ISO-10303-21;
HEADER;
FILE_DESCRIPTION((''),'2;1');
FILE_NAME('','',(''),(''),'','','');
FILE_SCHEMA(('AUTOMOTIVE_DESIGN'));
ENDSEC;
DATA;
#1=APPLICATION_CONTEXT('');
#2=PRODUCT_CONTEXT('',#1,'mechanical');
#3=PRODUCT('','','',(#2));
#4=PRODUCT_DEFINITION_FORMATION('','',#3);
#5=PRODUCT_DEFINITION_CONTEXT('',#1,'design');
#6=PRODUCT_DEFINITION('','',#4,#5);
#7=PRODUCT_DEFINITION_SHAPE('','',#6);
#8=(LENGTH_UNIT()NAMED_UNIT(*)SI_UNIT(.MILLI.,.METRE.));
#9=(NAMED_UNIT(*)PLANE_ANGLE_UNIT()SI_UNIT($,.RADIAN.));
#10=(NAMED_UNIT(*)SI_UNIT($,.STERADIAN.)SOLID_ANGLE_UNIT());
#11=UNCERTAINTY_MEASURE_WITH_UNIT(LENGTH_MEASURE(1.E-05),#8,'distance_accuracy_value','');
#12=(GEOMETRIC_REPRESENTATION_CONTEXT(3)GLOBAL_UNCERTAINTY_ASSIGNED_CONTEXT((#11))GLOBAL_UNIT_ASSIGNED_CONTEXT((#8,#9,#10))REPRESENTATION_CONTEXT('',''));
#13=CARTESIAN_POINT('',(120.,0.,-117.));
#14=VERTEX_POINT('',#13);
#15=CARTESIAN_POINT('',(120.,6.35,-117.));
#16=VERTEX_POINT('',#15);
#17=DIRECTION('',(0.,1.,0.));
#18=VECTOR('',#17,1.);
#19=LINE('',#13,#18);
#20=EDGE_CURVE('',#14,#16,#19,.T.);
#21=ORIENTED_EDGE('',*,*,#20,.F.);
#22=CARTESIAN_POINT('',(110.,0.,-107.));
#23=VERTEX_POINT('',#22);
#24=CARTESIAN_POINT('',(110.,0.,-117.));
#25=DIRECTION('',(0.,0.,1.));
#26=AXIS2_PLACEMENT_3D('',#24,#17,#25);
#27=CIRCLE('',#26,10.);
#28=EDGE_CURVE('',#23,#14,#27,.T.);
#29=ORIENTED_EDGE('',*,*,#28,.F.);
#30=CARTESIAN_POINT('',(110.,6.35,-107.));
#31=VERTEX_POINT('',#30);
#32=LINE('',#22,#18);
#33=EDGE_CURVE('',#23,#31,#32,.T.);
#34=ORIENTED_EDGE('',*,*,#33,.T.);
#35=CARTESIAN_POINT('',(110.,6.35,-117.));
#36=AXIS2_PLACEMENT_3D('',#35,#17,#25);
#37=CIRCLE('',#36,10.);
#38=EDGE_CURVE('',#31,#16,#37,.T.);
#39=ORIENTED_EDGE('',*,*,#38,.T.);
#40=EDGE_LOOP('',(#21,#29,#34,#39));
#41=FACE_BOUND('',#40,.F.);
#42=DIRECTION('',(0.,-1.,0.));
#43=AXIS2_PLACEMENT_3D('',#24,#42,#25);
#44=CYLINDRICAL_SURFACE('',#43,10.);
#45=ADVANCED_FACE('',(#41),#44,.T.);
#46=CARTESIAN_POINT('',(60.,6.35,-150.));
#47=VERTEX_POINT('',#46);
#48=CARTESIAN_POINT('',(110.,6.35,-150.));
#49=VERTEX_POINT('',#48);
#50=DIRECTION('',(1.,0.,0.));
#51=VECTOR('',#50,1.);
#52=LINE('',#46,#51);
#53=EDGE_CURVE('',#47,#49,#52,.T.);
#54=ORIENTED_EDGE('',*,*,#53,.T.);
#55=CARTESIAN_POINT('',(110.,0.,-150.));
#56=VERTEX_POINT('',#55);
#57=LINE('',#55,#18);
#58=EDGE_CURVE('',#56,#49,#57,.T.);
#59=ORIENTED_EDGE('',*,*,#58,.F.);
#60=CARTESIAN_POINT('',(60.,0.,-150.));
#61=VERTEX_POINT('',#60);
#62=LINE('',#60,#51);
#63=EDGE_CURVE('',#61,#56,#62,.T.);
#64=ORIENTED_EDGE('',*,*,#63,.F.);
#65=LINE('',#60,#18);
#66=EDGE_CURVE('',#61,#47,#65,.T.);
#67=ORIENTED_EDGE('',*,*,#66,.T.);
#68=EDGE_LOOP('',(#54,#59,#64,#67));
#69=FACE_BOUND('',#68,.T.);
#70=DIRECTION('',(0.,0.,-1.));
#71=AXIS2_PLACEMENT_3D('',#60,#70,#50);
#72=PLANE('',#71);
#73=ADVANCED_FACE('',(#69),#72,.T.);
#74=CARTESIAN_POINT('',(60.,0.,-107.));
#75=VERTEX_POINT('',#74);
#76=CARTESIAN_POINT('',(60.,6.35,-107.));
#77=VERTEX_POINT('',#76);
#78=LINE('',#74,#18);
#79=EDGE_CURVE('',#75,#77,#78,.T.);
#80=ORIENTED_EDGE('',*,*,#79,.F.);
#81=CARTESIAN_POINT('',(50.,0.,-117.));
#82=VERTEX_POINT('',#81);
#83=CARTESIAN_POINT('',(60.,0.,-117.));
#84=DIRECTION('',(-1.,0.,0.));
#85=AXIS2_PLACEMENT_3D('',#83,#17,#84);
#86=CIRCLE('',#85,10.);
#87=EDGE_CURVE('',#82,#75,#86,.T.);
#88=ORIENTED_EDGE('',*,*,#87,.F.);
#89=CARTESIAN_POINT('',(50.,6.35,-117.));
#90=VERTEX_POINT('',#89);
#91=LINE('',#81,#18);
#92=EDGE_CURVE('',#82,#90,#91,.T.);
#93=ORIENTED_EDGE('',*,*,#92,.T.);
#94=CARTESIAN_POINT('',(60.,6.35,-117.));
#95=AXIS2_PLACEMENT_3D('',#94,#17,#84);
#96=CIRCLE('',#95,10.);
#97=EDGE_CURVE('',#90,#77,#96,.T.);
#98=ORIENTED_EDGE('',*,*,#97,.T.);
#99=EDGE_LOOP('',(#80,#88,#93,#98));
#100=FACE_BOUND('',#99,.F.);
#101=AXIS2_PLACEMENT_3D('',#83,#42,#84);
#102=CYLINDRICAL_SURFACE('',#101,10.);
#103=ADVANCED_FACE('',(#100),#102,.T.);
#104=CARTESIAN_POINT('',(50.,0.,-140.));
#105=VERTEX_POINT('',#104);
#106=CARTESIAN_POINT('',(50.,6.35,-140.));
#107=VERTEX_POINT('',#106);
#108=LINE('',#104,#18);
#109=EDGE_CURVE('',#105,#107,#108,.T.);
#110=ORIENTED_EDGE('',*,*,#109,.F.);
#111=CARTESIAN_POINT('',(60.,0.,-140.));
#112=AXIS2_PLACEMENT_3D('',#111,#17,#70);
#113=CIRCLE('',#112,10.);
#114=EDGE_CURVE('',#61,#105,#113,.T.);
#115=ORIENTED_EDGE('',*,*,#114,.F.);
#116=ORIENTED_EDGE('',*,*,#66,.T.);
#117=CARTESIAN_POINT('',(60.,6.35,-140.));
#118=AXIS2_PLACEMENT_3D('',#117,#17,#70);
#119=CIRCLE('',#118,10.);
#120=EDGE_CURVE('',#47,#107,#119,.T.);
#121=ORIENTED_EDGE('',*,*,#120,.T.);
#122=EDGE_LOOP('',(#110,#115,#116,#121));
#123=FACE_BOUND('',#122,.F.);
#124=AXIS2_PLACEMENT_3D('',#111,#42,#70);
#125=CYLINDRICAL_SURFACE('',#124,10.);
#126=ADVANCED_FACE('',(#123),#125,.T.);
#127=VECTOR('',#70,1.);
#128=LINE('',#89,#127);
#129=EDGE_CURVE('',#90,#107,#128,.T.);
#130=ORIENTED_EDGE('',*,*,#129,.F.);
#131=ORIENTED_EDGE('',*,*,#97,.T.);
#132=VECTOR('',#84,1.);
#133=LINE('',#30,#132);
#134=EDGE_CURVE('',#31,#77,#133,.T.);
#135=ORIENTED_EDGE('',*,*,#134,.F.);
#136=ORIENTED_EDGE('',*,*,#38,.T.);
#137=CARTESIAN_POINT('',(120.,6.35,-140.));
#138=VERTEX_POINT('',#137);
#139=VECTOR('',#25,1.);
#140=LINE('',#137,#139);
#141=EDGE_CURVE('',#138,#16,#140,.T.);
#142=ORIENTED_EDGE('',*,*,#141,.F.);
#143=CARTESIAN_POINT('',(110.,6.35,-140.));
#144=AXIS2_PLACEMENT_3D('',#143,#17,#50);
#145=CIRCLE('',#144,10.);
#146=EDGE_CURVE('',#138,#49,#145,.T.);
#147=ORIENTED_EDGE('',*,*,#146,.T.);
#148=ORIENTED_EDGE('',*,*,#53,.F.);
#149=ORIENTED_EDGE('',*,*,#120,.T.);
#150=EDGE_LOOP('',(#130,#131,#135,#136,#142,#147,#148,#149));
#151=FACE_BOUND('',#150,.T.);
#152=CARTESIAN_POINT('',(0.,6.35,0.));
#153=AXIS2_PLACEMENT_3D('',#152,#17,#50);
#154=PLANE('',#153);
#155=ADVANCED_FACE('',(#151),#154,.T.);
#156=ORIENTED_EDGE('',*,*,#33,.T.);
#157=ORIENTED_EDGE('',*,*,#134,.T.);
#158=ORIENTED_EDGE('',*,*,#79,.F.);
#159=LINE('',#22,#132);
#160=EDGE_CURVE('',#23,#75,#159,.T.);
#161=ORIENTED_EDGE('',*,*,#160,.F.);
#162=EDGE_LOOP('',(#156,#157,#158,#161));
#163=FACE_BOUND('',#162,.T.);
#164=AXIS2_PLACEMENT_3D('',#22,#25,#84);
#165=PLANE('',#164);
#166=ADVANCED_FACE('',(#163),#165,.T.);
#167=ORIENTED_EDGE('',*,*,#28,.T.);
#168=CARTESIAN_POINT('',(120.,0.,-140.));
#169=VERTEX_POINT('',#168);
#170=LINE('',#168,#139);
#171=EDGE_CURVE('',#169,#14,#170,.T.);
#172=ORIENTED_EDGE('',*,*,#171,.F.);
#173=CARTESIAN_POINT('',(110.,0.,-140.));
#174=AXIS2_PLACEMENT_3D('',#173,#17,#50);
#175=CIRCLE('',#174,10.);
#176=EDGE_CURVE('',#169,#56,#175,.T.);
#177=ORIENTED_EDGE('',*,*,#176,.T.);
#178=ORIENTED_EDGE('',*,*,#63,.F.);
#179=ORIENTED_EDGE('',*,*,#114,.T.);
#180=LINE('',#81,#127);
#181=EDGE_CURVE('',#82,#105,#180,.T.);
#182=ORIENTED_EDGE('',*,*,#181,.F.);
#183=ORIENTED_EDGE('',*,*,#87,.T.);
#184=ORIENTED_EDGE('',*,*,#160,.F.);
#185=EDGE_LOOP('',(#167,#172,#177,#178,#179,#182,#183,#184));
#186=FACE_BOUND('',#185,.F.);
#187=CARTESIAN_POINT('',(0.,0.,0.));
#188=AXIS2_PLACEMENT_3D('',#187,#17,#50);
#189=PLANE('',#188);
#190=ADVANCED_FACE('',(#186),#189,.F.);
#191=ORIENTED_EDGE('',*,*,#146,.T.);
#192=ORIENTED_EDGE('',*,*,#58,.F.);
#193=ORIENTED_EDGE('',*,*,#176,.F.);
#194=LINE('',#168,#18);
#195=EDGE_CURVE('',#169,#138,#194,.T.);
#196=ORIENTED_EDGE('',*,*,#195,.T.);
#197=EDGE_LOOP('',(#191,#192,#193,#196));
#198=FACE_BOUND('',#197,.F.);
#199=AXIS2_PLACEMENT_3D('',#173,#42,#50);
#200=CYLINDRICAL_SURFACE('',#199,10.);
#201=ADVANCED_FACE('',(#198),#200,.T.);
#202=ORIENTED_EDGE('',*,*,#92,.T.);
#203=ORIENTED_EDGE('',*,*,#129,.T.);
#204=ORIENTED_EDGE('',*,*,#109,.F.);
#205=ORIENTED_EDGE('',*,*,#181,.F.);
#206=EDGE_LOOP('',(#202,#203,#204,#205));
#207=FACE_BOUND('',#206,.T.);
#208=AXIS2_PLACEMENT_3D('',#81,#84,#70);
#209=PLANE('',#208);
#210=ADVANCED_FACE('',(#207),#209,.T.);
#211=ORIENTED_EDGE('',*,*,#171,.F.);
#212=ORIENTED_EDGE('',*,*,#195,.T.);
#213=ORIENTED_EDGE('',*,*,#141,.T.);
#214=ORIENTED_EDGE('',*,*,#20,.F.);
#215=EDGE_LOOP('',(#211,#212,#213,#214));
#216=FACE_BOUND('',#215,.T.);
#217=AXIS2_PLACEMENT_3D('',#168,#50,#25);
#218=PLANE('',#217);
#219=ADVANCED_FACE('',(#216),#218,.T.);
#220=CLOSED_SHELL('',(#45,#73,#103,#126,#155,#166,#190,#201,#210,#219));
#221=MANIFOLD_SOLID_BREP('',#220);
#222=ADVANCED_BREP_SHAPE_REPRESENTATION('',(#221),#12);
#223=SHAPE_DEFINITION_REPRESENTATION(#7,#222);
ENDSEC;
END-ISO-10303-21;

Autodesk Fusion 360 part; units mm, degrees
sketch "Sketch1" plane through (0, 0, 0) normal (0, 1, 0) x (1, 0, 0)
  line L0 (0, 0) -> (170, 0)
  line L1 (170, 0) -> (170, 170)
  line L2 (170, 170) -> (0, 170)
  line L3 (0, 170) -> (0, 0)
  line L4 (85, 170) -> (85, 128.5) construction
  line L5 (110, 107) -> (60, 107)
  line L6 (50, 117) -> (50, 140)
  line L7 (60, 150) -> (110, 150)
  line L8 (120, 140) -> (120, 117)
  line L9 (120, 107) -> (50, 150) construction
  line L10 (50, 107) -> (120, 150) construction
  arc A0 (60, 150) -> (50, 140) centre (60, 140) ccw
  arc A1 (120, 140) -> (110, 150) centre (110, 140) ccw
  arc A2 (110, 107) -> (120, 117) centre (110, 117) ccw
  arc A3 (50, 117) -> (60, 107) centre (60, 117) ccw
  line L11 (85, 128.5) -> (0, 128.5) construction
  line L12 (85, 128.5) -> (170, 128.5) construction
  arc A4 (0, 108.5) -> (0, 148.5) centre (0, 128.5) ccw
  arc A5 (170, 148.5) -> (170, 108.5) centre (170, 128.5) ccw
  line L13 (85, 0) -> (85, 53.5) construction
  line L14 (140, 20) -> (30, 20)
  line L15 (20, 30) -> (20, 87)
  line L16 (20, 87) -> (150, 87)
  line L17 (150, 87) -> (150, 30)
  line L18 (150, 20) -> (20, 87) construction
  line L19 (20, 20) -> (150, 87) construction
  arc A6 (20, 30) -> (30, 20) centre (30, 30) ccw
  arc A7 (140, 20) -> (150, 30) centre (140, 30) ccw
  line L20 (85, 53.5) -> (20, 53.5) construction
  line L21 (85, 53.5) -> (150, 53.5) construction
  line L22 (20, 53.5) -> (13.5, 53.5) construction
  line L23 (13.5, 53.5) -> (13.5, 64)
  line L24 (13.5, 53.5) -> (13.5, 43)
  line L25 (13.5, 43) -> (13.5, 36.5) construction
  line L26 (13.5, 36.5) -> (20, 36.5) construction
  line L27 (13.5, 64) -> (13.5, 70.5) construction
  line L28 (13.5, 70.5) -> (20, 70.5) construction
  line L29 (13.5, 64) -> (20, 70.5)
  line L30 (13.5, 43) -> (20, 36.5)
  line L31 (156.5, 64) -> (150, 70.5)
  line L32 (156.5, 53.5) -> (156.5, 64)
  line L33 (156.5, 53.5) -> (156.5, 43)
  line L34 (156.5, 43) -> (150, 36.5)
  line L35 (20, 87) -> (20, 85) construction
  line L36 (20, 85) -> (30, 85) construction
  arc A8 (37.0711, 92.0711) -> (20, 85) centre (30, 85) ccw
  line L37 (30, 85) -> (37.0711, 92.0711) construction
  line L38 (30, 85) -> (20, 85) construction
  line L39 (37.0711, 92.0711) -> (42.1421, 87)
  arc A9 (150, 85) -> (132.9289, 92.0711) centre (140, 85) ccw
  line L40 (132.9289, 92.0711) -> (127.8579, 87)
  point P0 (85, 128.5)
  point P1 (85, 53.5)
  dimension "d1" = 170
  dimension "d2" = 170
  dimension "d19" = 41.5
  dimension "d20" = 70
  dimension "d21" = 43
  dimension "d22" = 10
  dimension "d23" = 10
  dimension "d24" = 10
  dimension "d25" = 10
  dimension "d26" = 20
  dimension "d27" = 20
  dimension "d28" = 53.5
  dimension "d29" = 130
  dimension "d30" = 67
  dimension "d31" = 10
  dimension "d32" = 10
  dimension "d33" = 6.5
  dimension "d34" = 10.5
  dimension "d35" = 10.5
  dimension "d36" = 6.5
  dimension "d37" = 6.5
  dimension "d38" = 2
  dimension "d39" = 10
  dimension "d40" = 135
extrude "Extrude1" add sketch "Sketch1" along normal blind 6.35 contours L5 L6 L7 L8 A0 A1 A2 A3
